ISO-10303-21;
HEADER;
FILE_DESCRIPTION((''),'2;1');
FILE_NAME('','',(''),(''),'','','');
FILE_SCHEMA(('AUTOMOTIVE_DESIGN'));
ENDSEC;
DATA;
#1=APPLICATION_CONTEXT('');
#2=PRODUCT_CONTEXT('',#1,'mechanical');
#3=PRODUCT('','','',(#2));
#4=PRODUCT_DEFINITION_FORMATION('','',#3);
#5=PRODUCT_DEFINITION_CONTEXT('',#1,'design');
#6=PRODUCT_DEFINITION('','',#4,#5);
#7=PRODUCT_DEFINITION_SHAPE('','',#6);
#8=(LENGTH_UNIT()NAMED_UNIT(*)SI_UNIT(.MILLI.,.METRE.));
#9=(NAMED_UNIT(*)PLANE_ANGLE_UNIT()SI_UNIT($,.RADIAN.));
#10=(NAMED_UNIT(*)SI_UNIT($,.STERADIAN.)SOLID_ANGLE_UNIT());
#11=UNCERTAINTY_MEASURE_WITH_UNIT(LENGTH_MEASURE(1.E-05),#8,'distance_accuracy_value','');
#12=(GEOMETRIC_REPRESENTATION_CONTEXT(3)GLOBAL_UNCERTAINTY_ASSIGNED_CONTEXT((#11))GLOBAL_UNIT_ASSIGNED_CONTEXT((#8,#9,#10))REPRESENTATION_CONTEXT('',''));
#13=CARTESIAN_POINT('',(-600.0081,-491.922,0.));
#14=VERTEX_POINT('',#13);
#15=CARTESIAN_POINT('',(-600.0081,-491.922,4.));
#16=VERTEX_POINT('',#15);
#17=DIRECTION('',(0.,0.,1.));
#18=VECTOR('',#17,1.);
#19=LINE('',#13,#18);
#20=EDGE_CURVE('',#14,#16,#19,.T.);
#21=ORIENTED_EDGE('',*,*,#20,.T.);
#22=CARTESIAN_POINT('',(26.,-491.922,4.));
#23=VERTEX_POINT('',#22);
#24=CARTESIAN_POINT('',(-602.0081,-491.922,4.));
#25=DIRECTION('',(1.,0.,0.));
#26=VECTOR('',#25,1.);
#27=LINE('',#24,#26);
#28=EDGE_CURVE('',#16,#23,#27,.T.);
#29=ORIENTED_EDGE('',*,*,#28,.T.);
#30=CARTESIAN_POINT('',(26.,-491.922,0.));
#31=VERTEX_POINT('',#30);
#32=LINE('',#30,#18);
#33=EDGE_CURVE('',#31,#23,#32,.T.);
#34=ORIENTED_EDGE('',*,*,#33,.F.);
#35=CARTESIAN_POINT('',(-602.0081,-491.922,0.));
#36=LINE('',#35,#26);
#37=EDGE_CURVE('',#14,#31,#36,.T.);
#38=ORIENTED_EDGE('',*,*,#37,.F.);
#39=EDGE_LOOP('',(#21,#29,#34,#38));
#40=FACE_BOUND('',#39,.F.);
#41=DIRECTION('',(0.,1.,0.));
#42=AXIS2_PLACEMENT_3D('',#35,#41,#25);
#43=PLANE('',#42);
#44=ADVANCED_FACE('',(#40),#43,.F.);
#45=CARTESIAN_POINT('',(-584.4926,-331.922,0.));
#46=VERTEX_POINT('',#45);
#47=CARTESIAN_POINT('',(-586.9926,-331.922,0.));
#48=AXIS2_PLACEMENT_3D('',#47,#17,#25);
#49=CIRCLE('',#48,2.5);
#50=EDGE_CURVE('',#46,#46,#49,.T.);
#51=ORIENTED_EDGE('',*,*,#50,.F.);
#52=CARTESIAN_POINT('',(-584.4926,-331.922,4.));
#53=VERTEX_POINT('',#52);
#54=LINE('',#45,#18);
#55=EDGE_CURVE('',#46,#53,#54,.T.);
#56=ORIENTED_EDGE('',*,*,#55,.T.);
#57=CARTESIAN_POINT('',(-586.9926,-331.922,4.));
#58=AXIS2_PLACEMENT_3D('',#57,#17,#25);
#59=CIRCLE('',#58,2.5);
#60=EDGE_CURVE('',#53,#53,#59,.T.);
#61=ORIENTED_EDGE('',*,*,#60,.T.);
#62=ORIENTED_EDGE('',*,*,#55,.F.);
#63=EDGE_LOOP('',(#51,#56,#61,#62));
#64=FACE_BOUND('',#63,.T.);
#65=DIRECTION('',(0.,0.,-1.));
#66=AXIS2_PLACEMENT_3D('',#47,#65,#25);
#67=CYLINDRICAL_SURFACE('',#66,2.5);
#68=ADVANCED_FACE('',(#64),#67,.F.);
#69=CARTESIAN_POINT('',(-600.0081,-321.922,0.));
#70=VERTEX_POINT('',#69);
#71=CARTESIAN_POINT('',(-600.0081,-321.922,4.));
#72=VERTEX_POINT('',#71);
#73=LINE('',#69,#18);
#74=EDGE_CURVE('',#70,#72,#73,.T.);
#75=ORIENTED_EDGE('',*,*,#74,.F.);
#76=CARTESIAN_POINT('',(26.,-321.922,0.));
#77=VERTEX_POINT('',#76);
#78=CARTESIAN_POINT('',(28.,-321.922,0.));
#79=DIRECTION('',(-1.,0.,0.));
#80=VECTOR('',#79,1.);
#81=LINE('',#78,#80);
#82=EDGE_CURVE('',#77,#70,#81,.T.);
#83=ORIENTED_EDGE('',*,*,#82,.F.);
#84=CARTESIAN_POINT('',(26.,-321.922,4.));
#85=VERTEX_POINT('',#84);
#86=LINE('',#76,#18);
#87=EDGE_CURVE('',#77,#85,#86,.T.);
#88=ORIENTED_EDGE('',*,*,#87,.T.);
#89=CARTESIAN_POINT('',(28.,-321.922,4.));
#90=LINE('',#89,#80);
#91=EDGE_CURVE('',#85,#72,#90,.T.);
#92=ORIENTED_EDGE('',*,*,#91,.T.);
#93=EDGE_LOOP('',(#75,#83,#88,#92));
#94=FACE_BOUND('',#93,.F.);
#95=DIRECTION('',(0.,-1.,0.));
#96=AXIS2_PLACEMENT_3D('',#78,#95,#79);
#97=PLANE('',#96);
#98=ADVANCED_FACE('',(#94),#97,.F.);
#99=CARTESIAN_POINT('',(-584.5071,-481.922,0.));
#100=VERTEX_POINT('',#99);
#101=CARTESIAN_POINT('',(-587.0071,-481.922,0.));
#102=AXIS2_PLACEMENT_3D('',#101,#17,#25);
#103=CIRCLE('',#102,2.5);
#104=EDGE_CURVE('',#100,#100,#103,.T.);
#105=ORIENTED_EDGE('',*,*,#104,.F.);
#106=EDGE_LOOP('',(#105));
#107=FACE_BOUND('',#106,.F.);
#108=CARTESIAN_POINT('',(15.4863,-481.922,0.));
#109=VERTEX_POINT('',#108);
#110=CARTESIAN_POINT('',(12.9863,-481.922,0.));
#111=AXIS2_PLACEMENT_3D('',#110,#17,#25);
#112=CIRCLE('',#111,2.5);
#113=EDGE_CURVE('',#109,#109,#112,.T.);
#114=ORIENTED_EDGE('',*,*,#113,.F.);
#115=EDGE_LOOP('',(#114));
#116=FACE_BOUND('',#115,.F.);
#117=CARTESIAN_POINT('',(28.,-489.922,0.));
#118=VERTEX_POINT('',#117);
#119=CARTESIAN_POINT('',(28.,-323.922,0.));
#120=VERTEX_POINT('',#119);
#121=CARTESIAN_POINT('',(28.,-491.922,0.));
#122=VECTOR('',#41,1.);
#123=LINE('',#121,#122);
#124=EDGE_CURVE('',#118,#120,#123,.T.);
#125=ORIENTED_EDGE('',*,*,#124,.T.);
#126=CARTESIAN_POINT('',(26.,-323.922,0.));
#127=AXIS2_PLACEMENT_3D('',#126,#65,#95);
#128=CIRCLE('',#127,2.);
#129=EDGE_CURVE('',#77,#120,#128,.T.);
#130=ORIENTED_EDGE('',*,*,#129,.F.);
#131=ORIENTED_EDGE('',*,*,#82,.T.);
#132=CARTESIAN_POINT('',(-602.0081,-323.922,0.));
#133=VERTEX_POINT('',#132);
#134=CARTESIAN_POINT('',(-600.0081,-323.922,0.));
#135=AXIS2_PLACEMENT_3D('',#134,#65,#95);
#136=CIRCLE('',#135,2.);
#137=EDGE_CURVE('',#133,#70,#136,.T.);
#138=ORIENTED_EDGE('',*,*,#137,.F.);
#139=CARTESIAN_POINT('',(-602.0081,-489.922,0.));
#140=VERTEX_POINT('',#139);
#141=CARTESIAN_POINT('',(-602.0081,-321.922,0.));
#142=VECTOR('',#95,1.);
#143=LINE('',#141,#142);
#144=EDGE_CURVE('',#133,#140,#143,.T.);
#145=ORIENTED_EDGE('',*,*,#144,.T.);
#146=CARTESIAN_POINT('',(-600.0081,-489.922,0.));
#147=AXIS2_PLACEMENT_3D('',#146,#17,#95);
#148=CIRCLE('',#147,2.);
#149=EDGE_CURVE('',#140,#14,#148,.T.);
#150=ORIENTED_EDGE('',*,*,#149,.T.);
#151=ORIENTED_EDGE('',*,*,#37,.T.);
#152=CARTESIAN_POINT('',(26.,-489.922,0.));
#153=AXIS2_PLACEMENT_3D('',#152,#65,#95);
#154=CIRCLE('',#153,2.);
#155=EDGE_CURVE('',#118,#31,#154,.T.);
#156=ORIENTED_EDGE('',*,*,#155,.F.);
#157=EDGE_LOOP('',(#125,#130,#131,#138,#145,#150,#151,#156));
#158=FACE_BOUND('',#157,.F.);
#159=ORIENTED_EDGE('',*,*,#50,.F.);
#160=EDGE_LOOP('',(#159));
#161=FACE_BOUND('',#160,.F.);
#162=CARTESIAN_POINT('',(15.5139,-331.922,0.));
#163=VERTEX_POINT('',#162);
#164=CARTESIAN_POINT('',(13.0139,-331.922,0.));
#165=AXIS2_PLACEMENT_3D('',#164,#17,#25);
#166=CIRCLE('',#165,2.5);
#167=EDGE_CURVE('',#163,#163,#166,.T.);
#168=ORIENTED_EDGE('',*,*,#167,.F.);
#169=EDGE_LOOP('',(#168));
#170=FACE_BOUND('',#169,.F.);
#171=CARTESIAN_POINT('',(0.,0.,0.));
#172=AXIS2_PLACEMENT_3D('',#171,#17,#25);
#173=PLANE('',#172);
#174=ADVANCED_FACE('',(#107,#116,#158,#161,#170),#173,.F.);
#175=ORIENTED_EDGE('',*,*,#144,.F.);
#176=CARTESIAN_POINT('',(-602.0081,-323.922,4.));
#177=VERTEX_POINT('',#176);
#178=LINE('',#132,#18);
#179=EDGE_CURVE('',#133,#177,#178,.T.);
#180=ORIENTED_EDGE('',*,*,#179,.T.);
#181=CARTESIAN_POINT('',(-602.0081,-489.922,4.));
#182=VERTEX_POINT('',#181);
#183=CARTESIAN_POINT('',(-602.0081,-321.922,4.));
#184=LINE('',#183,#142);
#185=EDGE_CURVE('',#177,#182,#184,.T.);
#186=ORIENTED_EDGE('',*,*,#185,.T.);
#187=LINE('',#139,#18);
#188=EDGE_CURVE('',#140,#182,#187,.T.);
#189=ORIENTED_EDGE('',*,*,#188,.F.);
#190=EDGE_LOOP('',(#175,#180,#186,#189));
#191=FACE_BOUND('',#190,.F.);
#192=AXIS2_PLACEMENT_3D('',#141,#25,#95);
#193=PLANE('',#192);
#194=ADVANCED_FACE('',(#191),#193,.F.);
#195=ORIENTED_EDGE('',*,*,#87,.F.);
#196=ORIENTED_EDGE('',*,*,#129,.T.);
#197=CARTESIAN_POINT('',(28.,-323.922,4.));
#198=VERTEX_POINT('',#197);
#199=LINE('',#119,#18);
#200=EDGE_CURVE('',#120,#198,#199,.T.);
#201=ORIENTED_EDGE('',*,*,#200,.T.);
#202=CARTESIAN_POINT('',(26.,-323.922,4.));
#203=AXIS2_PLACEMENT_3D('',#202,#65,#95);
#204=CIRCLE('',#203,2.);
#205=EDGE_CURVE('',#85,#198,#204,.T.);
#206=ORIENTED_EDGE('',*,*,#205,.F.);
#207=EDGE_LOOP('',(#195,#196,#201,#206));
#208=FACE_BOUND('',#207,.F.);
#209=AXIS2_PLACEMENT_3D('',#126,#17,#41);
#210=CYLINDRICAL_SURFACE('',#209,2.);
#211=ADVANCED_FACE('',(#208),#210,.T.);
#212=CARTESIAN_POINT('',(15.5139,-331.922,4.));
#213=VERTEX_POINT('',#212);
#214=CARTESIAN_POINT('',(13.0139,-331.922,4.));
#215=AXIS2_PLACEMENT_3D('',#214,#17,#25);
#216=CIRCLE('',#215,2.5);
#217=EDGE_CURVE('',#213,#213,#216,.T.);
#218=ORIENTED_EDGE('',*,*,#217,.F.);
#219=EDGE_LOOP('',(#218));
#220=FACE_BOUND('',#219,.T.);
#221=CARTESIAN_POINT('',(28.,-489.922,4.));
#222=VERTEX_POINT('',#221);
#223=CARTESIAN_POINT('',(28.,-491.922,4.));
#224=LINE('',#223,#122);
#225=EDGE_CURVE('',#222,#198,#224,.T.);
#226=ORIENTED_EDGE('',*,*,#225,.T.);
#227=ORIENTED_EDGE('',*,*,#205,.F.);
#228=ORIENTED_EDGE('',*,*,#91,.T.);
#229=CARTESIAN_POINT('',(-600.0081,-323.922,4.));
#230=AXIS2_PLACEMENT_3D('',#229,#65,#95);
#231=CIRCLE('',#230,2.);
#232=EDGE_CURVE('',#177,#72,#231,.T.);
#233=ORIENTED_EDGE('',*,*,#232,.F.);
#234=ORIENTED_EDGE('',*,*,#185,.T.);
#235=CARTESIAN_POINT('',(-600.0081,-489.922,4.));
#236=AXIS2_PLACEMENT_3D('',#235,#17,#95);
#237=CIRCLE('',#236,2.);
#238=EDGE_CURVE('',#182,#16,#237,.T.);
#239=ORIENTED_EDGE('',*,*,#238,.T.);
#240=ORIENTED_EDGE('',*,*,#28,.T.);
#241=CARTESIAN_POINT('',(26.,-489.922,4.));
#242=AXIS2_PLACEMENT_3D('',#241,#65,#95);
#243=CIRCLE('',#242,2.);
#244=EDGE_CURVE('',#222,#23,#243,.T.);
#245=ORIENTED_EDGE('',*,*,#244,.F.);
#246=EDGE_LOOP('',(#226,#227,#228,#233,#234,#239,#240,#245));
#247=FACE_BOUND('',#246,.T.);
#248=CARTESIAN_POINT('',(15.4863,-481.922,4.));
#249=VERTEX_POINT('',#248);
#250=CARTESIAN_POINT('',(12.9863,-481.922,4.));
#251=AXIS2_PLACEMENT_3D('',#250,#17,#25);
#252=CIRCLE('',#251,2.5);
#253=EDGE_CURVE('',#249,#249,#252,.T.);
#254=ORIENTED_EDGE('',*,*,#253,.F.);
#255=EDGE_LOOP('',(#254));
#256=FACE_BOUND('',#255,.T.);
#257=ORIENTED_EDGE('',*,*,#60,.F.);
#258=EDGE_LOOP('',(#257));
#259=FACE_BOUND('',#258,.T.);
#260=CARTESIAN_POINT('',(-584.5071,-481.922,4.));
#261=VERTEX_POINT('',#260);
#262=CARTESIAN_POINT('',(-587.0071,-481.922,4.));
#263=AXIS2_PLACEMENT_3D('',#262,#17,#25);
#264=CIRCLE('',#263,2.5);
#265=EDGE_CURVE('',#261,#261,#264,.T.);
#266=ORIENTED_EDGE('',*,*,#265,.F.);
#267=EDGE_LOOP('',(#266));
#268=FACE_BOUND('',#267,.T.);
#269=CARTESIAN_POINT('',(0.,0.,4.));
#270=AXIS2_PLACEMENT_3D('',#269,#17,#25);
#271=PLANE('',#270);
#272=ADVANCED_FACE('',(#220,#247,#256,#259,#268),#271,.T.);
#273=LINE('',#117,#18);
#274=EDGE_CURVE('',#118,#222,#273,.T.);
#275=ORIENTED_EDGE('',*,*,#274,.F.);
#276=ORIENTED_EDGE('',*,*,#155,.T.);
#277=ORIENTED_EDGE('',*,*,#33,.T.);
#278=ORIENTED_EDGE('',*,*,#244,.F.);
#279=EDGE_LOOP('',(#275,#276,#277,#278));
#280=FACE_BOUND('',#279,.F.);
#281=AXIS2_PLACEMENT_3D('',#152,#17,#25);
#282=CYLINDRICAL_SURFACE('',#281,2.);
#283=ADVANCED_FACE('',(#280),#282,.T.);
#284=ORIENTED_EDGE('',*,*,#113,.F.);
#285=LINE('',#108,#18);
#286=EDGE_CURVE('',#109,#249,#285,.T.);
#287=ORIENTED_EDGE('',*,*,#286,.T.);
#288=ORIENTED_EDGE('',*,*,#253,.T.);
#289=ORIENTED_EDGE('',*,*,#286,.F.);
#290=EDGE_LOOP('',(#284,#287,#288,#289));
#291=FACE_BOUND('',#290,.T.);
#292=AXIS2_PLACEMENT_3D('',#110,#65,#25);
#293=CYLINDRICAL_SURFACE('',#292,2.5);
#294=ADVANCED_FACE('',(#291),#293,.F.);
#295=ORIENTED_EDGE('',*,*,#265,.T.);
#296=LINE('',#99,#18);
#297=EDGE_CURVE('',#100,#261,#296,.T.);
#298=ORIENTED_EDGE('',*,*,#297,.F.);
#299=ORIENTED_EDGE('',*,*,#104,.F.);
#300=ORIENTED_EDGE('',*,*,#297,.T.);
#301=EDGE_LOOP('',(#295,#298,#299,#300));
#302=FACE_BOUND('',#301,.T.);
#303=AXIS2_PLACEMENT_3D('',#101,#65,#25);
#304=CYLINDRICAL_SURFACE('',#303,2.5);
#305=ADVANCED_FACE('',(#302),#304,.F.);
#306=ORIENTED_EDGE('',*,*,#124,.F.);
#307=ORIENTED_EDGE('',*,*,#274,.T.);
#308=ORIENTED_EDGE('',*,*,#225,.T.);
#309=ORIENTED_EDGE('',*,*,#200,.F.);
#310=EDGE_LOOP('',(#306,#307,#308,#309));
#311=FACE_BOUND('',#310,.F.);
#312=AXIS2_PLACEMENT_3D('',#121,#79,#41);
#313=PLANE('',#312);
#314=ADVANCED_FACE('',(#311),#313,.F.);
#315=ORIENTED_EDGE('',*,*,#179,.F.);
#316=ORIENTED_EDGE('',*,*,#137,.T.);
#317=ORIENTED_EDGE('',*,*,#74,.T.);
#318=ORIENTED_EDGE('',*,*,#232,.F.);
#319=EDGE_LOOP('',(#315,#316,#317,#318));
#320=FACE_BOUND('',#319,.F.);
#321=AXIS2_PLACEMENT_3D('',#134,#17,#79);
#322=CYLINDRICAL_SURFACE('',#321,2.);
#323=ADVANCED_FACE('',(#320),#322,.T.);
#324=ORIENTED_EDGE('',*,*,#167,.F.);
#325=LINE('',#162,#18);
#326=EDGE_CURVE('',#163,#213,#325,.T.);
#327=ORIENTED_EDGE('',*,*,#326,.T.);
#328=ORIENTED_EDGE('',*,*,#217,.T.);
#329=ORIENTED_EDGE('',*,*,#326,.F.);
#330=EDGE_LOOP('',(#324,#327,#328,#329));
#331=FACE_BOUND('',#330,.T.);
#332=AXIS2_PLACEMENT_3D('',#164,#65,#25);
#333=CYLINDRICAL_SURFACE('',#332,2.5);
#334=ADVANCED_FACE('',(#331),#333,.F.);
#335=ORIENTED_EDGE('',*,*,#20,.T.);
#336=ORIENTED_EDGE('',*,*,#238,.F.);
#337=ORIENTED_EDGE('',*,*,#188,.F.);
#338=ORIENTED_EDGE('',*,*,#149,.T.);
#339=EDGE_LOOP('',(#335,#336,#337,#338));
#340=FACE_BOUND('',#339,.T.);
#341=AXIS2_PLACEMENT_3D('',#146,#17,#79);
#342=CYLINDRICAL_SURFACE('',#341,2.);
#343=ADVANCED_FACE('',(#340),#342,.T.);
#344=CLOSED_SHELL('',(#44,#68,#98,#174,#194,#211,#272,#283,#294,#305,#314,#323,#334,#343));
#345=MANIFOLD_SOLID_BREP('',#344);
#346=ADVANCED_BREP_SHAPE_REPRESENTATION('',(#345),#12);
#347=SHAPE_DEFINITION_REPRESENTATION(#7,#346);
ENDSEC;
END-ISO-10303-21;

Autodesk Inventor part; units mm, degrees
ref_plane "YZ Plane" through (0, 0, 0) normal (1, 0, 0) x (0, 1, 0)
ref_plane "XZ Plane" through (0, 0, 0) normal (0, 1, 0) x (-1, 0, 0)
ref_plane "XY Plane" through (0, 0, 0) normal (0, 0, 1) x (1, 0, 0)
sketch "Sketch1" plane through (0, 0, 0) normal (0, 0, 1) x (1, 0, 0)
  line L0 (-601.9604, 0.0293) -> (-602.0117, -529.9707) construction
  line L1 (28, -530) -> (28, 100) construction
  line L2 (-582.8507, 100.0274) -> (-582.9118, -529.9726) construction
  line L3 (-591.0507, 100.0282) -> (-582.8507, 100.0274) construction
  line L4 (-591.0507, 100.0282) -> (-591.1118, -529.9718) construction
  line L5 (-582.9118, -529.9726) -> (-591.1118, -529.9718) construction
  line L6 (17.1933, 99.9429) -> (17.0775, -530.057) construction
  line L7 (8.9933, 99.9444) -> (17.1933, 99.9429) construction
  line L8 (8.9933, 99.9444) -> (8.8775, -530.0555) construction
  line L9 (17.0775, -530.057) -> (8.8775, -530.0555) construction
  line L10 (12.9775, -530.0563) -> (13.0933, 99.9437) construction
  line L11 (-587.0118, -529.9722) -> (-586.9507, 100.0278) construction
  line L12 (-602.0081, -491.922) -> (28, -491.922)
  line L13 (28, -491.922) -> (28, -321.922)
  line L14 (28, -321.922) -> (-602.0081, -321.922)
  line L15 (-602.0081, -321.922) -> (-602.0081, -491.922)
  circle A0 centre (-587.0071, -481.922) radius 2.5
  circle A1 centre (-586.9926, -331.922) radius 2.5
  circle A2 centre (12.9863, -481.922) radius 2.5
  circle A3 centre (13.0139, -331.922) radius 2.5
  point P0 (0, 0)
  dimension "d0" = 170
  dimension "d1" = 5
  dimension "d2" = 5
  dimension "d3" = 5
  dimension "d4" = 5
  dimension "d5" = 10
  dimension "d6" = 10
  dimension "d7" = 10
  dimension "d8" = 10
extrude "Extrusion1" add sketch "Sketch1" along normal blind 4
fillet "Fillet1" radius 2 4 edges at (28, -491.922, 2) (28, -321.922, 2) (-602.0081, -321.922, 2) (-602.0081, -491.922, 2)
properties part number "Projector Mount"
